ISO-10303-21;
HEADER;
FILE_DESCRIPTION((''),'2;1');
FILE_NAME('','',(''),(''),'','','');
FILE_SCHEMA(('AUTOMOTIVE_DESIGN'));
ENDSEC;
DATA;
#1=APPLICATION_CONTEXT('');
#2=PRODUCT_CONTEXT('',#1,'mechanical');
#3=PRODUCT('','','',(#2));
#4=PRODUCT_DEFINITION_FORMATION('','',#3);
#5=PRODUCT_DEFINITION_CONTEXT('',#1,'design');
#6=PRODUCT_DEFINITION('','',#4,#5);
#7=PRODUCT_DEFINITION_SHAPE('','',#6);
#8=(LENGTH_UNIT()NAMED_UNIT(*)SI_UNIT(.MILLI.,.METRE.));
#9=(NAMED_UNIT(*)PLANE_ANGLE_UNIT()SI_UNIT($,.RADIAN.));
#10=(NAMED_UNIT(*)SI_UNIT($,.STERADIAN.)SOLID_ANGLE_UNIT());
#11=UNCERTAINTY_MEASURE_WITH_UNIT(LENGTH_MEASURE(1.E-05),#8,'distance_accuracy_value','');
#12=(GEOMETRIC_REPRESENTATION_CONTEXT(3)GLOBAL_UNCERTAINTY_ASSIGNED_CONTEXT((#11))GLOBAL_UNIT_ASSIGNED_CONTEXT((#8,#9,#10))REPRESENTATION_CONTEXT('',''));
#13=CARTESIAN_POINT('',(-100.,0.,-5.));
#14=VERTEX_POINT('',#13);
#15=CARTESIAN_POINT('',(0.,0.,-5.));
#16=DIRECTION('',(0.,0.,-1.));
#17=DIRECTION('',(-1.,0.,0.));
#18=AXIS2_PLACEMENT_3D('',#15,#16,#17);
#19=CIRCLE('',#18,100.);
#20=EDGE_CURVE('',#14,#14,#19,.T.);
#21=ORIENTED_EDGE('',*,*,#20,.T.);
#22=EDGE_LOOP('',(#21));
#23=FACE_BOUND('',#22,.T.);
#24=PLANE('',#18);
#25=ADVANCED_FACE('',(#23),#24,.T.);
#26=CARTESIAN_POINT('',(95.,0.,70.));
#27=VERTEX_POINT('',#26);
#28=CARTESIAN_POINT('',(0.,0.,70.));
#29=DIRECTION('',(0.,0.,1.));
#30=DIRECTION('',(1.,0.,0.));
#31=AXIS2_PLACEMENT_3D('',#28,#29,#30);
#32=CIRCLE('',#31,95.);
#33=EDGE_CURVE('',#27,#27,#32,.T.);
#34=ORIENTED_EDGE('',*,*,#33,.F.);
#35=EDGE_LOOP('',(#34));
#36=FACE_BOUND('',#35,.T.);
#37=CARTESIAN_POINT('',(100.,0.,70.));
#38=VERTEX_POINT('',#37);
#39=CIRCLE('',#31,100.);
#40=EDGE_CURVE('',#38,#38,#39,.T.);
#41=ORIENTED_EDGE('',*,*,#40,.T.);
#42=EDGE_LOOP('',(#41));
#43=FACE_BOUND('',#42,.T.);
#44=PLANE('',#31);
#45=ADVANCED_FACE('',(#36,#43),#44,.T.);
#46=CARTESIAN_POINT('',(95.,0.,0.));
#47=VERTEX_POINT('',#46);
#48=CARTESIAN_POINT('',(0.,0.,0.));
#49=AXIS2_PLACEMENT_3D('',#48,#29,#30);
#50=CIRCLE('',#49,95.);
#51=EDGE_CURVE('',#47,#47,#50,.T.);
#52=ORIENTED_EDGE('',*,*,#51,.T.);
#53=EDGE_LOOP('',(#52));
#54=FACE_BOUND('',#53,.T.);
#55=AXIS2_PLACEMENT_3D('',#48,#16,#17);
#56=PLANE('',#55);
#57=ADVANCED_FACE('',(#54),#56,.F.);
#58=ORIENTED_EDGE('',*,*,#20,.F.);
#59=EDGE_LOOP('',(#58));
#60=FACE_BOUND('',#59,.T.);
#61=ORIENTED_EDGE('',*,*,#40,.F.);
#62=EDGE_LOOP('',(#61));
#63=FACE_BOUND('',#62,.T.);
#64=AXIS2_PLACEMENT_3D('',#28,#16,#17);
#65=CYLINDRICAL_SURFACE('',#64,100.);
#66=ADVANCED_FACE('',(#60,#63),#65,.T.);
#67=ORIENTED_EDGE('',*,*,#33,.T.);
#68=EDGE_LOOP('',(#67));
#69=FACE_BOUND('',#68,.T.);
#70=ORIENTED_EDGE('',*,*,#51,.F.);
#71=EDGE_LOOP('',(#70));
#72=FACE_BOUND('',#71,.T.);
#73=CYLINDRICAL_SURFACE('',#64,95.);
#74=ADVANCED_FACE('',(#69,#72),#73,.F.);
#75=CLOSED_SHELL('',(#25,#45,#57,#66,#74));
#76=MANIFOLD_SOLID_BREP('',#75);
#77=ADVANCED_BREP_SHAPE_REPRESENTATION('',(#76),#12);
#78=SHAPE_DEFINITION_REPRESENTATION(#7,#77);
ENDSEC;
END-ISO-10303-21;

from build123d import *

# Parameters (mm, degrees)
SKETCH_1_R      = 100
SKETCH_1_R_2    = 95
EXTRUDE_1_DEPTH = 70
EXTRUDE_START   = 5
SKETCH_2_R      = 100
EXTRUDE_2_DEPTH = 5


with BuildPart() as part:
    # 草图1 → 凸台-拉伸1 (new body)
    with BuildSketch(Plane.XY):
        Circle(SKETCH_1_R)
        Circle(SKETCH_1_R_2, mode=Mode.SUBTRACT)
    extrude(amount=EXTRUDE_1_DEPTH)

    # 草图2 → 凸台-拉伸2 (add)
    with BuildSketch(Plane(origin=(0, 0, 0), x_dir=(-1, 0, 0), z_dir=(0, 0, -1)).offset(EXTRUDE_START)):
        Circle(SKETCH_2_R)
    extrude(amount=-EXTRUDE_2_DEPTH)


solid = part.part
